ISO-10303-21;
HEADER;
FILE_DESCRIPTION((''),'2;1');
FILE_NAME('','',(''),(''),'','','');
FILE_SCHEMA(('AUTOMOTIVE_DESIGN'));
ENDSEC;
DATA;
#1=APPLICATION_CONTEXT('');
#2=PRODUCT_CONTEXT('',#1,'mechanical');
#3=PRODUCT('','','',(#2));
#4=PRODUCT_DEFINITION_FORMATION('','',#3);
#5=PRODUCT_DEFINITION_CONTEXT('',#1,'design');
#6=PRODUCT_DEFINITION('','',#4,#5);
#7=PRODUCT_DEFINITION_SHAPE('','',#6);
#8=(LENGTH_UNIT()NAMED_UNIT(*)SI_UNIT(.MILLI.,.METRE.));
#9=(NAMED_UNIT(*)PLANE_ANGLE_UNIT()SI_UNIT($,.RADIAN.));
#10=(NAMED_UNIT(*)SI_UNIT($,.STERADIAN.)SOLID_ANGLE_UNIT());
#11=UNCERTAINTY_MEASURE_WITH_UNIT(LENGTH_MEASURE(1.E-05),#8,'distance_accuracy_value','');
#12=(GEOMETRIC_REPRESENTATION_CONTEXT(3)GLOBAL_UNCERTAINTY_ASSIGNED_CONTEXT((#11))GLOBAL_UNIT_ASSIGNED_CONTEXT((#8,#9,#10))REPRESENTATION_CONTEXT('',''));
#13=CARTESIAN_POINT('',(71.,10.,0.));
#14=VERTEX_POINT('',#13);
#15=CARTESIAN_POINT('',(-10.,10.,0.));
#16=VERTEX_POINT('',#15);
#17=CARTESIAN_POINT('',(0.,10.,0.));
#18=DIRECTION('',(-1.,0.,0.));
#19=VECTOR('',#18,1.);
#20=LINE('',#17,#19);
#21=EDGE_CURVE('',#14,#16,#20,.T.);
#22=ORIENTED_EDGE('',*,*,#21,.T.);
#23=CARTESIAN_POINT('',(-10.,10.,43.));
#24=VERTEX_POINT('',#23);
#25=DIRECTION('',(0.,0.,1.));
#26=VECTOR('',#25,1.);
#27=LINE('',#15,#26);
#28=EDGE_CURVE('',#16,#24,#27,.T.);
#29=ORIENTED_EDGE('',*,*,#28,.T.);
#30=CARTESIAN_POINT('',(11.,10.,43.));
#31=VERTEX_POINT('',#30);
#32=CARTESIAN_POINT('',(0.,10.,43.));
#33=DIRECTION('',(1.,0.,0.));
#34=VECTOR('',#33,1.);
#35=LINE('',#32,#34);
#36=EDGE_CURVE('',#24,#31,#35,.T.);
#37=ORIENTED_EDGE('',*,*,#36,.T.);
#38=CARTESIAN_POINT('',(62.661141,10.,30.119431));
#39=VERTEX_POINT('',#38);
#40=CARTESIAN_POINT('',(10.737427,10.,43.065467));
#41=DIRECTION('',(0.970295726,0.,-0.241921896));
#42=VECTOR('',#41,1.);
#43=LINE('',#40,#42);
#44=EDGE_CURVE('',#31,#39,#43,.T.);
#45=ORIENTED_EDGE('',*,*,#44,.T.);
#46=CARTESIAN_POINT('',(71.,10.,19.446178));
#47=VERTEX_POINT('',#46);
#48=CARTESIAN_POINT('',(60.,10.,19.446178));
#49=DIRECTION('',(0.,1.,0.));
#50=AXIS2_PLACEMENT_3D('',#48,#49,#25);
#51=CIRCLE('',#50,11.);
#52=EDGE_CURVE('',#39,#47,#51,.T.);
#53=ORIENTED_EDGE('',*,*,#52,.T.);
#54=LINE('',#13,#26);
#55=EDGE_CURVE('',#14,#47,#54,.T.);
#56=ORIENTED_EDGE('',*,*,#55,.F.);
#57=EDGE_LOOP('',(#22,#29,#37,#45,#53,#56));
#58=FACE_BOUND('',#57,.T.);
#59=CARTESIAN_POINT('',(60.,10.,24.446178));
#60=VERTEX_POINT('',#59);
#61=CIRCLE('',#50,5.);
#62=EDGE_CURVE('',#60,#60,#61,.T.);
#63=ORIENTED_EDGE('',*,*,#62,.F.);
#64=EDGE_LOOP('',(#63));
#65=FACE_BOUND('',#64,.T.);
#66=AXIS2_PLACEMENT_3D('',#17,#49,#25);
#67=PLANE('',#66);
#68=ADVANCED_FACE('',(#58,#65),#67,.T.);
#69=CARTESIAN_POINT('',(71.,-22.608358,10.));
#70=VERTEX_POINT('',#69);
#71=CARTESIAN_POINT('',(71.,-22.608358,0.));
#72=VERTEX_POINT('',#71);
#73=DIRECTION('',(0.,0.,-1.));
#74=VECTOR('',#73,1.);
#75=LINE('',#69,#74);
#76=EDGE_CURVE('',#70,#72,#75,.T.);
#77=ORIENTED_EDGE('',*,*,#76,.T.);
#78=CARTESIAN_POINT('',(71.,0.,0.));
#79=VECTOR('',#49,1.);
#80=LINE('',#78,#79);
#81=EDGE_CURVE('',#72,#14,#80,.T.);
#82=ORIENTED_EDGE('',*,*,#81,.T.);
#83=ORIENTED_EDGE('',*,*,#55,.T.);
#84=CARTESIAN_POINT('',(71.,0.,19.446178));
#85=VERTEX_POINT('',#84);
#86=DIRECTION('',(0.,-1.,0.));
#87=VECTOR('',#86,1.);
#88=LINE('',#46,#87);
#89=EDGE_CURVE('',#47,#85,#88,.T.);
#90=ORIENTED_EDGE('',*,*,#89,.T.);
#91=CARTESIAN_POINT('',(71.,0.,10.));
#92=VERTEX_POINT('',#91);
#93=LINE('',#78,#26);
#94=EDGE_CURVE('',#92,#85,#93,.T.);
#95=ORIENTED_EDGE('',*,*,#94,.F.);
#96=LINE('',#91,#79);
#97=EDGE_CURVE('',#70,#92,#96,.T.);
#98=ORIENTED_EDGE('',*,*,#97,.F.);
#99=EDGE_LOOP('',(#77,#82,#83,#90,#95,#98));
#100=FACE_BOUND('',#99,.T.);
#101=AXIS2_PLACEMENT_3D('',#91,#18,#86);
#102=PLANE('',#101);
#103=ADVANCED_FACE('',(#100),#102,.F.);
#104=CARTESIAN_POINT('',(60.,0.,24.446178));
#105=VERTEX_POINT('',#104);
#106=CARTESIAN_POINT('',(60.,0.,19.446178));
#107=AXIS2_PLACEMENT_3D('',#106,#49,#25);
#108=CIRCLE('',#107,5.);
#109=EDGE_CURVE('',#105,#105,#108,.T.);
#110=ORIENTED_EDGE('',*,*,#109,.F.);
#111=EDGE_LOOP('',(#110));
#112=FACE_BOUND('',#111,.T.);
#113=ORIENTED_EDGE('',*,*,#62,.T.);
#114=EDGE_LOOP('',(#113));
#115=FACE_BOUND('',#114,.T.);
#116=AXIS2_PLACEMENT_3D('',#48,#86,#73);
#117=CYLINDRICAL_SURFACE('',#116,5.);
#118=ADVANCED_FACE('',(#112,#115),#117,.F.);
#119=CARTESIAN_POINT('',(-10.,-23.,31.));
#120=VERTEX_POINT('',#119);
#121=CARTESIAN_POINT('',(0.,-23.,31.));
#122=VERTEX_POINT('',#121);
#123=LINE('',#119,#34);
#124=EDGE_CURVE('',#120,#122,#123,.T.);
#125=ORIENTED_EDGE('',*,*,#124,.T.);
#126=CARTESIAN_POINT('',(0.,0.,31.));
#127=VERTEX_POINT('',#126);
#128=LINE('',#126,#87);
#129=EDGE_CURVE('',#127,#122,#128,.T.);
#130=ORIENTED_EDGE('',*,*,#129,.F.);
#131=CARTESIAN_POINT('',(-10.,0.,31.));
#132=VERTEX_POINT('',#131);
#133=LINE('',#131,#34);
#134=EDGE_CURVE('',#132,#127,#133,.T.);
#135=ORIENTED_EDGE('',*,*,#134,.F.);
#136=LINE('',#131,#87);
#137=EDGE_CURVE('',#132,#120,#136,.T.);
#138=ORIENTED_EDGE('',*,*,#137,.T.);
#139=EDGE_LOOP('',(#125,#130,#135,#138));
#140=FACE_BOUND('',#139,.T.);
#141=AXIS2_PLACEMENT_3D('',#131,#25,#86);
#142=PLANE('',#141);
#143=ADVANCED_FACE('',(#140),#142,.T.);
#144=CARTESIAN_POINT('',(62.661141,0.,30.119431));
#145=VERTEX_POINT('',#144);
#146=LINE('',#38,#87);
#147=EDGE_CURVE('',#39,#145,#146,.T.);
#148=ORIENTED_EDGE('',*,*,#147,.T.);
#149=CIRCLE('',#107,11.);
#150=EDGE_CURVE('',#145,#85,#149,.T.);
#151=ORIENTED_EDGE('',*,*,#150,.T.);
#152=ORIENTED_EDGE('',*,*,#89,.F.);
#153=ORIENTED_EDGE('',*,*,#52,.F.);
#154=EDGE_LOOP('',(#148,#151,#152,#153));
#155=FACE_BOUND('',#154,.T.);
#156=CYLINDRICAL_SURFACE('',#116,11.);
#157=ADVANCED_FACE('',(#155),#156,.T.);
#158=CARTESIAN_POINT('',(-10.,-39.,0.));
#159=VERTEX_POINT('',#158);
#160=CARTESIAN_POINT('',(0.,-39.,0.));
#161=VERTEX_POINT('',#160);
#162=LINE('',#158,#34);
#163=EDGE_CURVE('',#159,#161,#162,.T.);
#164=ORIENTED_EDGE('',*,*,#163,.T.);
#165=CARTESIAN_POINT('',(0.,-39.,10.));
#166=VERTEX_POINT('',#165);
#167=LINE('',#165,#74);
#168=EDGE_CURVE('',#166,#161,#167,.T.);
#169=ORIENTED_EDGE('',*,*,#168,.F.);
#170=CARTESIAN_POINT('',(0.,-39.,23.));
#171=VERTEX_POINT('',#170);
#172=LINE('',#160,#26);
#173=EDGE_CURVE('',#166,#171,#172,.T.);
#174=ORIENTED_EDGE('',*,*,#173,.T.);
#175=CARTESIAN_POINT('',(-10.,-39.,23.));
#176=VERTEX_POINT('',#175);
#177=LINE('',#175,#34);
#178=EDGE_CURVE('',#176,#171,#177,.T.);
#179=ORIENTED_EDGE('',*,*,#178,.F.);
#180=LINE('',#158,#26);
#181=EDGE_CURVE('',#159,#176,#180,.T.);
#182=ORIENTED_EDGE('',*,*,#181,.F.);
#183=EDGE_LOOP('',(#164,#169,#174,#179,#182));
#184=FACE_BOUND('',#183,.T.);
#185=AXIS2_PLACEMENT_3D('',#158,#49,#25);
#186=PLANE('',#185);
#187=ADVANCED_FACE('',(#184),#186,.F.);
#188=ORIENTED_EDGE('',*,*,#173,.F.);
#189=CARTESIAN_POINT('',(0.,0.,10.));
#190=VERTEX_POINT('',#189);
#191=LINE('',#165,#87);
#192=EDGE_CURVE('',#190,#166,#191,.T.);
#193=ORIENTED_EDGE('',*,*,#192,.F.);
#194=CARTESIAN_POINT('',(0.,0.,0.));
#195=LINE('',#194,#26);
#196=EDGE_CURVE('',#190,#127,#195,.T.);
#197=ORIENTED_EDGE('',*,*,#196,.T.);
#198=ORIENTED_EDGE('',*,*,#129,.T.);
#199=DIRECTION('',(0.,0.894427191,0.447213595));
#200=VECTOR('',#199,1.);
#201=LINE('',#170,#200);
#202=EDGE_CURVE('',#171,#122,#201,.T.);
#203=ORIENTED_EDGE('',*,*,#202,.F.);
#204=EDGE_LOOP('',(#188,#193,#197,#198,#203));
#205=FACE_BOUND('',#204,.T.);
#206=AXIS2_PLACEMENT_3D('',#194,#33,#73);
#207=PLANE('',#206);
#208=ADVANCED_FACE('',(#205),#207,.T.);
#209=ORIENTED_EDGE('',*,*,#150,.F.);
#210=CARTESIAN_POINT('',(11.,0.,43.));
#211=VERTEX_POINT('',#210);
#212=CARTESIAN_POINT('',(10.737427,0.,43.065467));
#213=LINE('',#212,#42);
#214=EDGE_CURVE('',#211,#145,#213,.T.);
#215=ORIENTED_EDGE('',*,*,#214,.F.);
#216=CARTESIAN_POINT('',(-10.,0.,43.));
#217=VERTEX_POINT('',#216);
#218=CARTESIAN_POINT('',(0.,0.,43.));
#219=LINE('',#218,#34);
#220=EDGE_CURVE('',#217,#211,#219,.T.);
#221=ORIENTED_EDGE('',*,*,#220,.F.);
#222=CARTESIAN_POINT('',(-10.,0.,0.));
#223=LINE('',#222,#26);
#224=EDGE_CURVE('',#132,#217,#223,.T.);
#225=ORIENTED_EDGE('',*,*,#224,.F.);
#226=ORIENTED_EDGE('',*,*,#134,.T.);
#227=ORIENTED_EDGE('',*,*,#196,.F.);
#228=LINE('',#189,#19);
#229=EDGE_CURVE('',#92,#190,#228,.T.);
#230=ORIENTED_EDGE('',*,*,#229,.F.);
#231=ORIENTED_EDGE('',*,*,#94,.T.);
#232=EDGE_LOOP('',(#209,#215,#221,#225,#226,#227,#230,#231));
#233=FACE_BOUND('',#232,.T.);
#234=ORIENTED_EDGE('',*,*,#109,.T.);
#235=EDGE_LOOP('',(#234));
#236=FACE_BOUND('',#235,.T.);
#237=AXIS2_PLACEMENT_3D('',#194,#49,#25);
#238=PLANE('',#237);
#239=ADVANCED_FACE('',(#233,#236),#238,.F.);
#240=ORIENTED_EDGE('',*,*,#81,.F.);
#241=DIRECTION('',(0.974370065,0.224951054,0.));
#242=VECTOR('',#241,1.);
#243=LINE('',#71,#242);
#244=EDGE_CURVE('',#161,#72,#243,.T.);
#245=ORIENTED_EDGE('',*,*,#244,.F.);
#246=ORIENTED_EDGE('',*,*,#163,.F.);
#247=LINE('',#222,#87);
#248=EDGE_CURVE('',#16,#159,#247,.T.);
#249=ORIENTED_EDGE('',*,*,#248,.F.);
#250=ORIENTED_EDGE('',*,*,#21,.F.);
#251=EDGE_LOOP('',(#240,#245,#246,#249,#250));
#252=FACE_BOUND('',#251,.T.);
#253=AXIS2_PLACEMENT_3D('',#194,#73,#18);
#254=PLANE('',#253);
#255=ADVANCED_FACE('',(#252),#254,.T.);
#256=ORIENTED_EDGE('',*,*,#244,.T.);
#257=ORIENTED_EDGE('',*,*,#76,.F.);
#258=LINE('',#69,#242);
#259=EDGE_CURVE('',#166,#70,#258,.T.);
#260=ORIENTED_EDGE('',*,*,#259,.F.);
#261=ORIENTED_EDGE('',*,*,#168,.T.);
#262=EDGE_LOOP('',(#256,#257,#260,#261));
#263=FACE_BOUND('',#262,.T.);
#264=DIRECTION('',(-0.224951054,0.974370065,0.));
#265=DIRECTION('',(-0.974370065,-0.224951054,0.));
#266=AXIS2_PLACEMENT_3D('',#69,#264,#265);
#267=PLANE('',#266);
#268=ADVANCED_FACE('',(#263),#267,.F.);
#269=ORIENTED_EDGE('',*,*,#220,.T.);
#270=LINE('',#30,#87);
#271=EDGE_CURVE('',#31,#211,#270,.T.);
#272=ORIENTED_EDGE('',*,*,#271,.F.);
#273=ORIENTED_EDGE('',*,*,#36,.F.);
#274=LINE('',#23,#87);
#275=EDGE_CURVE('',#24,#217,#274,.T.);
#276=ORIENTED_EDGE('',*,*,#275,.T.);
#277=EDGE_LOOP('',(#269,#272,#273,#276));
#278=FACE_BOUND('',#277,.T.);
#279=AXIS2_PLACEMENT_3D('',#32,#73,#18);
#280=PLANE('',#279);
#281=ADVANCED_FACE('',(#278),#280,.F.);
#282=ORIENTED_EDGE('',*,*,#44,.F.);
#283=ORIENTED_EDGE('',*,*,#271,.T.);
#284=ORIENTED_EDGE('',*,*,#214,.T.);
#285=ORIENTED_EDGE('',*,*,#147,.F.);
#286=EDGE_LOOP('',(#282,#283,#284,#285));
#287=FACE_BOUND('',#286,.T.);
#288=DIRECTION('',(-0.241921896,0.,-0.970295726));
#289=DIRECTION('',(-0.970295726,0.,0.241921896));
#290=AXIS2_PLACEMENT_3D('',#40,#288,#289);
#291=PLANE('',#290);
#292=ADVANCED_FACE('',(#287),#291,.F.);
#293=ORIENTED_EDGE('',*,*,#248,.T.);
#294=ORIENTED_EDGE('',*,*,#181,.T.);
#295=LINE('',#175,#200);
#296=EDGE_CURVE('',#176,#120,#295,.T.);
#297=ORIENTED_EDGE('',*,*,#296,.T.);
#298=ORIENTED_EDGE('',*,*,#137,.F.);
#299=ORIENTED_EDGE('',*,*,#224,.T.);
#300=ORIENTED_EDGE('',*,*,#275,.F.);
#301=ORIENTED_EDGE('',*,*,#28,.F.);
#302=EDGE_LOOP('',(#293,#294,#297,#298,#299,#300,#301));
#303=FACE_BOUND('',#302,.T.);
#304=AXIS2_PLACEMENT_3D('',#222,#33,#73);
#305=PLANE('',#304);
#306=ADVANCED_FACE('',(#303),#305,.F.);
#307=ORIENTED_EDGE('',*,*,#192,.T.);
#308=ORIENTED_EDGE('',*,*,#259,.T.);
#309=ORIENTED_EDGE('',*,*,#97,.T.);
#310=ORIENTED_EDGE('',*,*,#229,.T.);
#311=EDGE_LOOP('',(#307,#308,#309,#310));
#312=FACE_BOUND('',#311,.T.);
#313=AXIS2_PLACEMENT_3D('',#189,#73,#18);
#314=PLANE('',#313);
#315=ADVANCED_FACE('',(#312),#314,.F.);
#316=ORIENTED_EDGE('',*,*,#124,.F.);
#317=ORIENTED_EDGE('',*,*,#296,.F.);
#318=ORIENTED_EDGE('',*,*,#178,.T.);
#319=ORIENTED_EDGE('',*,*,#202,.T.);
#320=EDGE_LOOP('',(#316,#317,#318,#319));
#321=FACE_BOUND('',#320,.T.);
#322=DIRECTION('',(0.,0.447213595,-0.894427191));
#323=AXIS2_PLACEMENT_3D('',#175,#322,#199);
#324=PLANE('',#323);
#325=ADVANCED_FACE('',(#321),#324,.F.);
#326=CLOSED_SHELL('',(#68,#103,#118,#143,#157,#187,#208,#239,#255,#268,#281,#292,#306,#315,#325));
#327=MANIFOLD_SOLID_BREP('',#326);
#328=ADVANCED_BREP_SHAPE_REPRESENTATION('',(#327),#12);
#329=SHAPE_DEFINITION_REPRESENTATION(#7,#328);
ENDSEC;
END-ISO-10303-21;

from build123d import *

# Parameters (mm, degrees)
BOSS_EXTRUDE1_DEPTH = 10
BOSS_EXTRUDE2_DEPTH = 10
SKETCH6_R           = 11
SKETCH6_R_2         = 5
BOSS_EXTRUDE3_DEPTH = 10


with BuildPart() as part:
    # Sketch1 → Boss-Extrude1 (new body)
    with BuildSketch(Plane.XY):
        Polygon((0, 0), (71, 0), (71, -22.60835843), (0, -39), align=None)
    extrude(amount=BOSS_EXTRUDE1_DEPTH)

    # Sketch3 → Boss-Extrude2 (add)
    with BuildSketch(Plane.ZY):
        Polygon((0, 0), (31, 0), (31, -23), (23, -39), (0, -39), align=None)
    extrude(amount=BOSS_EXTRUDE2_DEPTH)

    # Sketch6 → Boss-Extrude3 (add)
    # profile 1 of 2: a face of its own
    with BuildSketch(Plane(origin=(0, 0, 0), x_dir=(1, 0, 0), z_dir=(0, 1, 0))):
        with Locations((60, -19.446177938)):
            Circle(SKETCH6_R)
        with Locations(Location((60, -19.446177938, 0), (0, 0, 270))):
            Circle(SKETCH6_R_2, mode=Mode.SUBTRACT)
    # profile 2 of 2: a face of its own
    with BuildSketch(Plane(origin=(0, 0, 0), x_dir=(1, 0, 0), z_dir=(0, 1, 0))):
        with BuildLine():
            Line((71, -19.446177938), (71, 0))
            Line((71, 0), (-10, 0))
            Line((-10, 0), (-10, -43))
            Line((-10, -43), (11, -43))
            Line((11, -43), (62.661140852, -30.119430927))
            ThreePointArc((62.661140852, -30.119430927), (51.33188171, -12.673901709), (71, -19.446177938))
        make_face()
    extrude(amount=BOSS_EXTRUDE3_DEPTH)


solid = part.part
